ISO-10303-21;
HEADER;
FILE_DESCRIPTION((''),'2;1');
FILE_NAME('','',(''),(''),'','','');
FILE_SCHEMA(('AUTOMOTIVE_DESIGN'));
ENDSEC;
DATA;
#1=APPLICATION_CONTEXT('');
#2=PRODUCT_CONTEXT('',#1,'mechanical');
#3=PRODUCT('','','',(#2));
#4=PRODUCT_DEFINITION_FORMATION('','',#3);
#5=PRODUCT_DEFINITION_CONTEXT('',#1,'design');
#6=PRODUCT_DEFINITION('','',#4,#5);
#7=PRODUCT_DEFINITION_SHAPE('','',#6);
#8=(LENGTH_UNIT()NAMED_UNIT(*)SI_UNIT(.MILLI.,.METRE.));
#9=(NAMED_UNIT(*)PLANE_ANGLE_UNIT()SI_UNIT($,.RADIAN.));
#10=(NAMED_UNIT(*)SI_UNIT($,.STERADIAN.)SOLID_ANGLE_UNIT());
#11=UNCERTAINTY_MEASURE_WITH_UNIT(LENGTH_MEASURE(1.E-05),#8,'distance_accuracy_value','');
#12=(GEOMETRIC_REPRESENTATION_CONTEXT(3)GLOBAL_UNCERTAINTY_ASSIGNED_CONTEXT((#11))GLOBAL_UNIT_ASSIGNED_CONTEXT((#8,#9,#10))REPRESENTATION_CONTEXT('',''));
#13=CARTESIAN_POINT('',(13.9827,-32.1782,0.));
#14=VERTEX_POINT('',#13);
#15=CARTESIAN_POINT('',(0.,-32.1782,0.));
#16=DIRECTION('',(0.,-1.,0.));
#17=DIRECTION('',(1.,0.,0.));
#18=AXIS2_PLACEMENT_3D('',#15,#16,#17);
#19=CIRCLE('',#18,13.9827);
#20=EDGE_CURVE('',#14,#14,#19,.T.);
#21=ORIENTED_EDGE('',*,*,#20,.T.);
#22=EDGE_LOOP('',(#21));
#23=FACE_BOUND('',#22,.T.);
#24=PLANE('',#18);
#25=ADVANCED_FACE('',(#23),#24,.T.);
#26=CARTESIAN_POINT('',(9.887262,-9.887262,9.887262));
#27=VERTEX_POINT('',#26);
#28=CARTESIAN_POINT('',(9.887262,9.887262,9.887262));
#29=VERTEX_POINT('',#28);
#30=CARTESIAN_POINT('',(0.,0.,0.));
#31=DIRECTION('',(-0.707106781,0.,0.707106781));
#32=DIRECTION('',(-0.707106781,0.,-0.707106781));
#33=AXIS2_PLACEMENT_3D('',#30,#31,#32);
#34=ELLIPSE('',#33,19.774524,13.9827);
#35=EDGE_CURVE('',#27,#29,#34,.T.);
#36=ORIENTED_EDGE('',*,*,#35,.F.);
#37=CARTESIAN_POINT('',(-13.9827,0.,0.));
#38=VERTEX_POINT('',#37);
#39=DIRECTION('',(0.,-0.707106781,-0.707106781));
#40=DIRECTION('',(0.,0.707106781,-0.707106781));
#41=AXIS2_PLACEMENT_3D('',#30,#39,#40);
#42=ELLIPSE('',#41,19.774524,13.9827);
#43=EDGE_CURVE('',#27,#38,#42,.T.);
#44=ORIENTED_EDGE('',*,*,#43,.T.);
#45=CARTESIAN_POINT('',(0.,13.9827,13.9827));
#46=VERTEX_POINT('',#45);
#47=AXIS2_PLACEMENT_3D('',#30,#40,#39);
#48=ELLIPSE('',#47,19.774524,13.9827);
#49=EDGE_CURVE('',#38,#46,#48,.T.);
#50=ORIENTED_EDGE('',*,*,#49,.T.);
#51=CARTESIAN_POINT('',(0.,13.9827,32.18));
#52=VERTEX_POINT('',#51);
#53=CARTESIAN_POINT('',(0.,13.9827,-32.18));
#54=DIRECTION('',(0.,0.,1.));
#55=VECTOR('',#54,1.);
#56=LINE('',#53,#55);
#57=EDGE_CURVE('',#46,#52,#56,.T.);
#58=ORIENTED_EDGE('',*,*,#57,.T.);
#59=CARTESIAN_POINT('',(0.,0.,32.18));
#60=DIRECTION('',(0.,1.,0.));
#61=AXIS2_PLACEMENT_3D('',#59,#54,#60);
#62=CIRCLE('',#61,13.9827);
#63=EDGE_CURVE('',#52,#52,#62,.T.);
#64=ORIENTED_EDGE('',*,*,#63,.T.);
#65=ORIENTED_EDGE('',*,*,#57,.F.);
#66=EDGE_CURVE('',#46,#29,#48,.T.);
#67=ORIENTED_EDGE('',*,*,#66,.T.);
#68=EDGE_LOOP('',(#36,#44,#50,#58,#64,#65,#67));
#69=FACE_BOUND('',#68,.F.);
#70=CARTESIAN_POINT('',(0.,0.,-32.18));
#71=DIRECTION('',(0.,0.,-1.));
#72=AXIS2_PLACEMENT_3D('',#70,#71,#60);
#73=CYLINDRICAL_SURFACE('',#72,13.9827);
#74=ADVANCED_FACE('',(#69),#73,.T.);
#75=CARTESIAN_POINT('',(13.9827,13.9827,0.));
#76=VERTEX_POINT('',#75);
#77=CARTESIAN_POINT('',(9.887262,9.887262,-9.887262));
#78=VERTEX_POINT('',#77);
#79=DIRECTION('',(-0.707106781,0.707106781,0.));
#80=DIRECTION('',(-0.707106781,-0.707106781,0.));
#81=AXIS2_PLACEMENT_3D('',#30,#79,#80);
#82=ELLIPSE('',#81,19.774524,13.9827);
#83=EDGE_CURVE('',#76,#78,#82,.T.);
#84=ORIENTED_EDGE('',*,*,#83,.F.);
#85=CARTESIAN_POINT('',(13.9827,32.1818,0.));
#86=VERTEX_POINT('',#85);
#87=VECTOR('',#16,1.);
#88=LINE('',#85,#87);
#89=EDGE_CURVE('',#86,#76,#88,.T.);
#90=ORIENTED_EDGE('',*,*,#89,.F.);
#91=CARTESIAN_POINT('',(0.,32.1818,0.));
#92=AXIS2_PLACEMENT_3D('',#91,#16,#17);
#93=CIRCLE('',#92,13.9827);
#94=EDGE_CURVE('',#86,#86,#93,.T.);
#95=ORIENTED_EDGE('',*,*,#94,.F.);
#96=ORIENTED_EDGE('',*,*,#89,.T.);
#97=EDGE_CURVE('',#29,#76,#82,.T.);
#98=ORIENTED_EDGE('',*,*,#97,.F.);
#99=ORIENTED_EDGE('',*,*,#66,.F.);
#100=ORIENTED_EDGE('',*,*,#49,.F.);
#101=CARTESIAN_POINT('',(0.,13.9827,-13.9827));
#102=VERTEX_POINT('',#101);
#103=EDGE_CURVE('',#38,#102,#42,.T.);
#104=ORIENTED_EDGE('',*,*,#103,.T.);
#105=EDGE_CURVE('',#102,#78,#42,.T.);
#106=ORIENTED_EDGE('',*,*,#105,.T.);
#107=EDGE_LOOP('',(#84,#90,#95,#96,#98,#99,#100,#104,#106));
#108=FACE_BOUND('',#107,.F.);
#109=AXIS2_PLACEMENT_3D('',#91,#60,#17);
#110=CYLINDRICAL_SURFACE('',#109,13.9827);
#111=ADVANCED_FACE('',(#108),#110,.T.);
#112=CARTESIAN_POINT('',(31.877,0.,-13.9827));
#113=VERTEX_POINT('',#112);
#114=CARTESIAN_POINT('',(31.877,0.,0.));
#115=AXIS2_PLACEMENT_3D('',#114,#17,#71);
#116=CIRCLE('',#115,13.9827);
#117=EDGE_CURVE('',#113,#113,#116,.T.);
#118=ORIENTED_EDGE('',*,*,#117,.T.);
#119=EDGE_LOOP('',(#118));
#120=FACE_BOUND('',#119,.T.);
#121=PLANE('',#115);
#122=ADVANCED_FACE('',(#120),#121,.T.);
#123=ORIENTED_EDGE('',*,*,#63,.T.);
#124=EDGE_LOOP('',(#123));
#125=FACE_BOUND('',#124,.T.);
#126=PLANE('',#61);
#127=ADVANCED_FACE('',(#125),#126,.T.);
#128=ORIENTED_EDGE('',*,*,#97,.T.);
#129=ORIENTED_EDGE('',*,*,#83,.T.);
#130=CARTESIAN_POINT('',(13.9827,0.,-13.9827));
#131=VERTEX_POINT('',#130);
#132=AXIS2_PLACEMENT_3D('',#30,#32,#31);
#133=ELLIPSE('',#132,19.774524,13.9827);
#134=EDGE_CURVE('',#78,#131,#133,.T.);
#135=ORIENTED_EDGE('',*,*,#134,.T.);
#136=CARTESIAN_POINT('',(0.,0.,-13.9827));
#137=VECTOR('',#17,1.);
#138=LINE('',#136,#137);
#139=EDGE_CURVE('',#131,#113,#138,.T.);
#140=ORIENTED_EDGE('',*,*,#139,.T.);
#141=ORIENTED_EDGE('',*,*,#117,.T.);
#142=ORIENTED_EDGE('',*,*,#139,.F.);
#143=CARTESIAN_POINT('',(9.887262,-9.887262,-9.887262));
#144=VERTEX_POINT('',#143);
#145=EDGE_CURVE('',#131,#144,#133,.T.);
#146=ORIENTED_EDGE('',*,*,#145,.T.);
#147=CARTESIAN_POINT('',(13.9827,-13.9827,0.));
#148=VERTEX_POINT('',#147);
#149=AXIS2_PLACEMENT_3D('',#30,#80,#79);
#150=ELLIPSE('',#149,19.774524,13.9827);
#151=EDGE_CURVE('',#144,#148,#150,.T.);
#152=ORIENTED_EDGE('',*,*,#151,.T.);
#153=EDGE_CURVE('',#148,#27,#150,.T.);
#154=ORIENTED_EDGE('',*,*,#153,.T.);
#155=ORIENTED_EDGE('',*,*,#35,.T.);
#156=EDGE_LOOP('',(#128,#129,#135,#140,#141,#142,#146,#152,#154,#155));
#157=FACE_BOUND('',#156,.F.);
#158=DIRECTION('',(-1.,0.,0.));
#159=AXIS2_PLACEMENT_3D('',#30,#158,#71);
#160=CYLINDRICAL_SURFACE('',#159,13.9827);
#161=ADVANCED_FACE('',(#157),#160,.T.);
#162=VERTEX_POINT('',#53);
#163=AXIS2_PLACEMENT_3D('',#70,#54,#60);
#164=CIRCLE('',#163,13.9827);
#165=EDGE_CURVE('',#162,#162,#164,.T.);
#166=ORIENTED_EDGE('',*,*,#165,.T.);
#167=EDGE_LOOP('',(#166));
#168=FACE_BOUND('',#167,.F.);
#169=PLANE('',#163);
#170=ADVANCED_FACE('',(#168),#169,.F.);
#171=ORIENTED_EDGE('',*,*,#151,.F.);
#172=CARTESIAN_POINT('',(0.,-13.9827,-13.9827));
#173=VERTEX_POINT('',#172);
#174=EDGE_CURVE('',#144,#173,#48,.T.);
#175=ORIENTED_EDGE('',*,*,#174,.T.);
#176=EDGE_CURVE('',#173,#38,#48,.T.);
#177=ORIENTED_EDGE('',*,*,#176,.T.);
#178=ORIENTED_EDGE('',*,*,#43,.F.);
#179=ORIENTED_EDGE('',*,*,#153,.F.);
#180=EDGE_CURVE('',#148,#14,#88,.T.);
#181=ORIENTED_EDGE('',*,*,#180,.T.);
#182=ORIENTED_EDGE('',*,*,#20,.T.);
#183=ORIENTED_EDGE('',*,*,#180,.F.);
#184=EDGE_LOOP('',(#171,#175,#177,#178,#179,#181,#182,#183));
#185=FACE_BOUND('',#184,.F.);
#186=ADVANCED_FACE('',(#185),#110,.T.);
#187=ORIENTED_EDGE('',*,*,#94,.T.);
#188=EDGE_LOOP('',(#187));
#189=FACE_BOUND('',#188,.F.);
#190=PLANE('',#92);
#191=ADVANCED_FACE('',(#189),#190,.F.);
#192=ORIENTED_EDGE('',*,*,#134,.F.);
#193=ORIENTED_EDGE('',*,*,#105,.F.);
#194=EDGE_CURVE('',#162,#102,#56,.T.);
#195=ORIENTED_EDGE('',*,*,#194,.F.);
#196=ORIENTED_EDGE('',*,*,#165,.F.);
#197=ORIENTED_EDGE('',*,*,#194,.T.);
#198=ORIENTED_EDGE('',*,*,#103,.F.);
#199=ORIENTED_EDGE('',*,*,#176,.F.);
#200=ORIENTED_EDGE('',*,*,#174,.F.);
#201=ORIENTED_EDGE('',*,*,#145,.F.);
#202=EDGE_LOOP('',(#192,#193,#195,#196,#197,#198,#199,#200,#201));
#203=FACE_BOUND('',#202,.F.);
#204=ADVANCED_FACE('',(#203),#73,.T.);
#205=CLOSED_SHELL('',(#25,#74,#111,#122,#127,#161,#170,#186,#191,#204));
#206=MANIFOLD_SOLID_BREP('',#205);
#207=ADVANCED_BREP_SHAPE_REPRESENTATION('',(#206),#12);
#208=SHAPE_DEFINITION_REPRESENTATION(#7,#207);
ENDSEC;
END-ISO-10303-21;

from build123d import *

# Parameters (mm, degrees)
CYLINDER013_R     = 13.9827
CYLINDER013_DEPTH = 64.36
CYLINDER011_R     = 13.9827
CYLINDER011_DEPTH = 64.36
CYLINDER012_R     = 13.9827
CYLINDER012_DEPTH = 31.877


with BuildPart() as cylinder013:
    # Cylinder013 → Cylinder013 (new body)
    with BuildSketch(Plane(origin=(0, 0, -32.18), x_dir=(0, 1, 0), z_dir=(0, 0, 1))):
        Circle(CYLINDER013_R)
    extrude(amount=CYLINDER013_DEPTH)


with BuildPart() as cylinder011:
    # Cylinder011 → Cylinder011 (new body)
    with BuildSketch(Plane.XZ.offset(-32.1818)):
        Circle(CYLINDER011_R)
    extrude(amount=CYLINDER011_DEPTH)


with BuildPart() as f_5_way:
    # Cylinder012 → Cylinder012 (new body)
    with BuildSketch(Plane(origin=(0, 0, 0), x_dir=(0, 0, -1), z_dir=(1, 0, 0))):
        Circle(CYLINDER012_R)
    extrude(amount=CYLINDER012_DEPTH)

    # Fusion005: union Cylinder013, Cylinder011
    add(cylinder013.part)
    add(cylinder011.part)


solid = f_5_way.part
